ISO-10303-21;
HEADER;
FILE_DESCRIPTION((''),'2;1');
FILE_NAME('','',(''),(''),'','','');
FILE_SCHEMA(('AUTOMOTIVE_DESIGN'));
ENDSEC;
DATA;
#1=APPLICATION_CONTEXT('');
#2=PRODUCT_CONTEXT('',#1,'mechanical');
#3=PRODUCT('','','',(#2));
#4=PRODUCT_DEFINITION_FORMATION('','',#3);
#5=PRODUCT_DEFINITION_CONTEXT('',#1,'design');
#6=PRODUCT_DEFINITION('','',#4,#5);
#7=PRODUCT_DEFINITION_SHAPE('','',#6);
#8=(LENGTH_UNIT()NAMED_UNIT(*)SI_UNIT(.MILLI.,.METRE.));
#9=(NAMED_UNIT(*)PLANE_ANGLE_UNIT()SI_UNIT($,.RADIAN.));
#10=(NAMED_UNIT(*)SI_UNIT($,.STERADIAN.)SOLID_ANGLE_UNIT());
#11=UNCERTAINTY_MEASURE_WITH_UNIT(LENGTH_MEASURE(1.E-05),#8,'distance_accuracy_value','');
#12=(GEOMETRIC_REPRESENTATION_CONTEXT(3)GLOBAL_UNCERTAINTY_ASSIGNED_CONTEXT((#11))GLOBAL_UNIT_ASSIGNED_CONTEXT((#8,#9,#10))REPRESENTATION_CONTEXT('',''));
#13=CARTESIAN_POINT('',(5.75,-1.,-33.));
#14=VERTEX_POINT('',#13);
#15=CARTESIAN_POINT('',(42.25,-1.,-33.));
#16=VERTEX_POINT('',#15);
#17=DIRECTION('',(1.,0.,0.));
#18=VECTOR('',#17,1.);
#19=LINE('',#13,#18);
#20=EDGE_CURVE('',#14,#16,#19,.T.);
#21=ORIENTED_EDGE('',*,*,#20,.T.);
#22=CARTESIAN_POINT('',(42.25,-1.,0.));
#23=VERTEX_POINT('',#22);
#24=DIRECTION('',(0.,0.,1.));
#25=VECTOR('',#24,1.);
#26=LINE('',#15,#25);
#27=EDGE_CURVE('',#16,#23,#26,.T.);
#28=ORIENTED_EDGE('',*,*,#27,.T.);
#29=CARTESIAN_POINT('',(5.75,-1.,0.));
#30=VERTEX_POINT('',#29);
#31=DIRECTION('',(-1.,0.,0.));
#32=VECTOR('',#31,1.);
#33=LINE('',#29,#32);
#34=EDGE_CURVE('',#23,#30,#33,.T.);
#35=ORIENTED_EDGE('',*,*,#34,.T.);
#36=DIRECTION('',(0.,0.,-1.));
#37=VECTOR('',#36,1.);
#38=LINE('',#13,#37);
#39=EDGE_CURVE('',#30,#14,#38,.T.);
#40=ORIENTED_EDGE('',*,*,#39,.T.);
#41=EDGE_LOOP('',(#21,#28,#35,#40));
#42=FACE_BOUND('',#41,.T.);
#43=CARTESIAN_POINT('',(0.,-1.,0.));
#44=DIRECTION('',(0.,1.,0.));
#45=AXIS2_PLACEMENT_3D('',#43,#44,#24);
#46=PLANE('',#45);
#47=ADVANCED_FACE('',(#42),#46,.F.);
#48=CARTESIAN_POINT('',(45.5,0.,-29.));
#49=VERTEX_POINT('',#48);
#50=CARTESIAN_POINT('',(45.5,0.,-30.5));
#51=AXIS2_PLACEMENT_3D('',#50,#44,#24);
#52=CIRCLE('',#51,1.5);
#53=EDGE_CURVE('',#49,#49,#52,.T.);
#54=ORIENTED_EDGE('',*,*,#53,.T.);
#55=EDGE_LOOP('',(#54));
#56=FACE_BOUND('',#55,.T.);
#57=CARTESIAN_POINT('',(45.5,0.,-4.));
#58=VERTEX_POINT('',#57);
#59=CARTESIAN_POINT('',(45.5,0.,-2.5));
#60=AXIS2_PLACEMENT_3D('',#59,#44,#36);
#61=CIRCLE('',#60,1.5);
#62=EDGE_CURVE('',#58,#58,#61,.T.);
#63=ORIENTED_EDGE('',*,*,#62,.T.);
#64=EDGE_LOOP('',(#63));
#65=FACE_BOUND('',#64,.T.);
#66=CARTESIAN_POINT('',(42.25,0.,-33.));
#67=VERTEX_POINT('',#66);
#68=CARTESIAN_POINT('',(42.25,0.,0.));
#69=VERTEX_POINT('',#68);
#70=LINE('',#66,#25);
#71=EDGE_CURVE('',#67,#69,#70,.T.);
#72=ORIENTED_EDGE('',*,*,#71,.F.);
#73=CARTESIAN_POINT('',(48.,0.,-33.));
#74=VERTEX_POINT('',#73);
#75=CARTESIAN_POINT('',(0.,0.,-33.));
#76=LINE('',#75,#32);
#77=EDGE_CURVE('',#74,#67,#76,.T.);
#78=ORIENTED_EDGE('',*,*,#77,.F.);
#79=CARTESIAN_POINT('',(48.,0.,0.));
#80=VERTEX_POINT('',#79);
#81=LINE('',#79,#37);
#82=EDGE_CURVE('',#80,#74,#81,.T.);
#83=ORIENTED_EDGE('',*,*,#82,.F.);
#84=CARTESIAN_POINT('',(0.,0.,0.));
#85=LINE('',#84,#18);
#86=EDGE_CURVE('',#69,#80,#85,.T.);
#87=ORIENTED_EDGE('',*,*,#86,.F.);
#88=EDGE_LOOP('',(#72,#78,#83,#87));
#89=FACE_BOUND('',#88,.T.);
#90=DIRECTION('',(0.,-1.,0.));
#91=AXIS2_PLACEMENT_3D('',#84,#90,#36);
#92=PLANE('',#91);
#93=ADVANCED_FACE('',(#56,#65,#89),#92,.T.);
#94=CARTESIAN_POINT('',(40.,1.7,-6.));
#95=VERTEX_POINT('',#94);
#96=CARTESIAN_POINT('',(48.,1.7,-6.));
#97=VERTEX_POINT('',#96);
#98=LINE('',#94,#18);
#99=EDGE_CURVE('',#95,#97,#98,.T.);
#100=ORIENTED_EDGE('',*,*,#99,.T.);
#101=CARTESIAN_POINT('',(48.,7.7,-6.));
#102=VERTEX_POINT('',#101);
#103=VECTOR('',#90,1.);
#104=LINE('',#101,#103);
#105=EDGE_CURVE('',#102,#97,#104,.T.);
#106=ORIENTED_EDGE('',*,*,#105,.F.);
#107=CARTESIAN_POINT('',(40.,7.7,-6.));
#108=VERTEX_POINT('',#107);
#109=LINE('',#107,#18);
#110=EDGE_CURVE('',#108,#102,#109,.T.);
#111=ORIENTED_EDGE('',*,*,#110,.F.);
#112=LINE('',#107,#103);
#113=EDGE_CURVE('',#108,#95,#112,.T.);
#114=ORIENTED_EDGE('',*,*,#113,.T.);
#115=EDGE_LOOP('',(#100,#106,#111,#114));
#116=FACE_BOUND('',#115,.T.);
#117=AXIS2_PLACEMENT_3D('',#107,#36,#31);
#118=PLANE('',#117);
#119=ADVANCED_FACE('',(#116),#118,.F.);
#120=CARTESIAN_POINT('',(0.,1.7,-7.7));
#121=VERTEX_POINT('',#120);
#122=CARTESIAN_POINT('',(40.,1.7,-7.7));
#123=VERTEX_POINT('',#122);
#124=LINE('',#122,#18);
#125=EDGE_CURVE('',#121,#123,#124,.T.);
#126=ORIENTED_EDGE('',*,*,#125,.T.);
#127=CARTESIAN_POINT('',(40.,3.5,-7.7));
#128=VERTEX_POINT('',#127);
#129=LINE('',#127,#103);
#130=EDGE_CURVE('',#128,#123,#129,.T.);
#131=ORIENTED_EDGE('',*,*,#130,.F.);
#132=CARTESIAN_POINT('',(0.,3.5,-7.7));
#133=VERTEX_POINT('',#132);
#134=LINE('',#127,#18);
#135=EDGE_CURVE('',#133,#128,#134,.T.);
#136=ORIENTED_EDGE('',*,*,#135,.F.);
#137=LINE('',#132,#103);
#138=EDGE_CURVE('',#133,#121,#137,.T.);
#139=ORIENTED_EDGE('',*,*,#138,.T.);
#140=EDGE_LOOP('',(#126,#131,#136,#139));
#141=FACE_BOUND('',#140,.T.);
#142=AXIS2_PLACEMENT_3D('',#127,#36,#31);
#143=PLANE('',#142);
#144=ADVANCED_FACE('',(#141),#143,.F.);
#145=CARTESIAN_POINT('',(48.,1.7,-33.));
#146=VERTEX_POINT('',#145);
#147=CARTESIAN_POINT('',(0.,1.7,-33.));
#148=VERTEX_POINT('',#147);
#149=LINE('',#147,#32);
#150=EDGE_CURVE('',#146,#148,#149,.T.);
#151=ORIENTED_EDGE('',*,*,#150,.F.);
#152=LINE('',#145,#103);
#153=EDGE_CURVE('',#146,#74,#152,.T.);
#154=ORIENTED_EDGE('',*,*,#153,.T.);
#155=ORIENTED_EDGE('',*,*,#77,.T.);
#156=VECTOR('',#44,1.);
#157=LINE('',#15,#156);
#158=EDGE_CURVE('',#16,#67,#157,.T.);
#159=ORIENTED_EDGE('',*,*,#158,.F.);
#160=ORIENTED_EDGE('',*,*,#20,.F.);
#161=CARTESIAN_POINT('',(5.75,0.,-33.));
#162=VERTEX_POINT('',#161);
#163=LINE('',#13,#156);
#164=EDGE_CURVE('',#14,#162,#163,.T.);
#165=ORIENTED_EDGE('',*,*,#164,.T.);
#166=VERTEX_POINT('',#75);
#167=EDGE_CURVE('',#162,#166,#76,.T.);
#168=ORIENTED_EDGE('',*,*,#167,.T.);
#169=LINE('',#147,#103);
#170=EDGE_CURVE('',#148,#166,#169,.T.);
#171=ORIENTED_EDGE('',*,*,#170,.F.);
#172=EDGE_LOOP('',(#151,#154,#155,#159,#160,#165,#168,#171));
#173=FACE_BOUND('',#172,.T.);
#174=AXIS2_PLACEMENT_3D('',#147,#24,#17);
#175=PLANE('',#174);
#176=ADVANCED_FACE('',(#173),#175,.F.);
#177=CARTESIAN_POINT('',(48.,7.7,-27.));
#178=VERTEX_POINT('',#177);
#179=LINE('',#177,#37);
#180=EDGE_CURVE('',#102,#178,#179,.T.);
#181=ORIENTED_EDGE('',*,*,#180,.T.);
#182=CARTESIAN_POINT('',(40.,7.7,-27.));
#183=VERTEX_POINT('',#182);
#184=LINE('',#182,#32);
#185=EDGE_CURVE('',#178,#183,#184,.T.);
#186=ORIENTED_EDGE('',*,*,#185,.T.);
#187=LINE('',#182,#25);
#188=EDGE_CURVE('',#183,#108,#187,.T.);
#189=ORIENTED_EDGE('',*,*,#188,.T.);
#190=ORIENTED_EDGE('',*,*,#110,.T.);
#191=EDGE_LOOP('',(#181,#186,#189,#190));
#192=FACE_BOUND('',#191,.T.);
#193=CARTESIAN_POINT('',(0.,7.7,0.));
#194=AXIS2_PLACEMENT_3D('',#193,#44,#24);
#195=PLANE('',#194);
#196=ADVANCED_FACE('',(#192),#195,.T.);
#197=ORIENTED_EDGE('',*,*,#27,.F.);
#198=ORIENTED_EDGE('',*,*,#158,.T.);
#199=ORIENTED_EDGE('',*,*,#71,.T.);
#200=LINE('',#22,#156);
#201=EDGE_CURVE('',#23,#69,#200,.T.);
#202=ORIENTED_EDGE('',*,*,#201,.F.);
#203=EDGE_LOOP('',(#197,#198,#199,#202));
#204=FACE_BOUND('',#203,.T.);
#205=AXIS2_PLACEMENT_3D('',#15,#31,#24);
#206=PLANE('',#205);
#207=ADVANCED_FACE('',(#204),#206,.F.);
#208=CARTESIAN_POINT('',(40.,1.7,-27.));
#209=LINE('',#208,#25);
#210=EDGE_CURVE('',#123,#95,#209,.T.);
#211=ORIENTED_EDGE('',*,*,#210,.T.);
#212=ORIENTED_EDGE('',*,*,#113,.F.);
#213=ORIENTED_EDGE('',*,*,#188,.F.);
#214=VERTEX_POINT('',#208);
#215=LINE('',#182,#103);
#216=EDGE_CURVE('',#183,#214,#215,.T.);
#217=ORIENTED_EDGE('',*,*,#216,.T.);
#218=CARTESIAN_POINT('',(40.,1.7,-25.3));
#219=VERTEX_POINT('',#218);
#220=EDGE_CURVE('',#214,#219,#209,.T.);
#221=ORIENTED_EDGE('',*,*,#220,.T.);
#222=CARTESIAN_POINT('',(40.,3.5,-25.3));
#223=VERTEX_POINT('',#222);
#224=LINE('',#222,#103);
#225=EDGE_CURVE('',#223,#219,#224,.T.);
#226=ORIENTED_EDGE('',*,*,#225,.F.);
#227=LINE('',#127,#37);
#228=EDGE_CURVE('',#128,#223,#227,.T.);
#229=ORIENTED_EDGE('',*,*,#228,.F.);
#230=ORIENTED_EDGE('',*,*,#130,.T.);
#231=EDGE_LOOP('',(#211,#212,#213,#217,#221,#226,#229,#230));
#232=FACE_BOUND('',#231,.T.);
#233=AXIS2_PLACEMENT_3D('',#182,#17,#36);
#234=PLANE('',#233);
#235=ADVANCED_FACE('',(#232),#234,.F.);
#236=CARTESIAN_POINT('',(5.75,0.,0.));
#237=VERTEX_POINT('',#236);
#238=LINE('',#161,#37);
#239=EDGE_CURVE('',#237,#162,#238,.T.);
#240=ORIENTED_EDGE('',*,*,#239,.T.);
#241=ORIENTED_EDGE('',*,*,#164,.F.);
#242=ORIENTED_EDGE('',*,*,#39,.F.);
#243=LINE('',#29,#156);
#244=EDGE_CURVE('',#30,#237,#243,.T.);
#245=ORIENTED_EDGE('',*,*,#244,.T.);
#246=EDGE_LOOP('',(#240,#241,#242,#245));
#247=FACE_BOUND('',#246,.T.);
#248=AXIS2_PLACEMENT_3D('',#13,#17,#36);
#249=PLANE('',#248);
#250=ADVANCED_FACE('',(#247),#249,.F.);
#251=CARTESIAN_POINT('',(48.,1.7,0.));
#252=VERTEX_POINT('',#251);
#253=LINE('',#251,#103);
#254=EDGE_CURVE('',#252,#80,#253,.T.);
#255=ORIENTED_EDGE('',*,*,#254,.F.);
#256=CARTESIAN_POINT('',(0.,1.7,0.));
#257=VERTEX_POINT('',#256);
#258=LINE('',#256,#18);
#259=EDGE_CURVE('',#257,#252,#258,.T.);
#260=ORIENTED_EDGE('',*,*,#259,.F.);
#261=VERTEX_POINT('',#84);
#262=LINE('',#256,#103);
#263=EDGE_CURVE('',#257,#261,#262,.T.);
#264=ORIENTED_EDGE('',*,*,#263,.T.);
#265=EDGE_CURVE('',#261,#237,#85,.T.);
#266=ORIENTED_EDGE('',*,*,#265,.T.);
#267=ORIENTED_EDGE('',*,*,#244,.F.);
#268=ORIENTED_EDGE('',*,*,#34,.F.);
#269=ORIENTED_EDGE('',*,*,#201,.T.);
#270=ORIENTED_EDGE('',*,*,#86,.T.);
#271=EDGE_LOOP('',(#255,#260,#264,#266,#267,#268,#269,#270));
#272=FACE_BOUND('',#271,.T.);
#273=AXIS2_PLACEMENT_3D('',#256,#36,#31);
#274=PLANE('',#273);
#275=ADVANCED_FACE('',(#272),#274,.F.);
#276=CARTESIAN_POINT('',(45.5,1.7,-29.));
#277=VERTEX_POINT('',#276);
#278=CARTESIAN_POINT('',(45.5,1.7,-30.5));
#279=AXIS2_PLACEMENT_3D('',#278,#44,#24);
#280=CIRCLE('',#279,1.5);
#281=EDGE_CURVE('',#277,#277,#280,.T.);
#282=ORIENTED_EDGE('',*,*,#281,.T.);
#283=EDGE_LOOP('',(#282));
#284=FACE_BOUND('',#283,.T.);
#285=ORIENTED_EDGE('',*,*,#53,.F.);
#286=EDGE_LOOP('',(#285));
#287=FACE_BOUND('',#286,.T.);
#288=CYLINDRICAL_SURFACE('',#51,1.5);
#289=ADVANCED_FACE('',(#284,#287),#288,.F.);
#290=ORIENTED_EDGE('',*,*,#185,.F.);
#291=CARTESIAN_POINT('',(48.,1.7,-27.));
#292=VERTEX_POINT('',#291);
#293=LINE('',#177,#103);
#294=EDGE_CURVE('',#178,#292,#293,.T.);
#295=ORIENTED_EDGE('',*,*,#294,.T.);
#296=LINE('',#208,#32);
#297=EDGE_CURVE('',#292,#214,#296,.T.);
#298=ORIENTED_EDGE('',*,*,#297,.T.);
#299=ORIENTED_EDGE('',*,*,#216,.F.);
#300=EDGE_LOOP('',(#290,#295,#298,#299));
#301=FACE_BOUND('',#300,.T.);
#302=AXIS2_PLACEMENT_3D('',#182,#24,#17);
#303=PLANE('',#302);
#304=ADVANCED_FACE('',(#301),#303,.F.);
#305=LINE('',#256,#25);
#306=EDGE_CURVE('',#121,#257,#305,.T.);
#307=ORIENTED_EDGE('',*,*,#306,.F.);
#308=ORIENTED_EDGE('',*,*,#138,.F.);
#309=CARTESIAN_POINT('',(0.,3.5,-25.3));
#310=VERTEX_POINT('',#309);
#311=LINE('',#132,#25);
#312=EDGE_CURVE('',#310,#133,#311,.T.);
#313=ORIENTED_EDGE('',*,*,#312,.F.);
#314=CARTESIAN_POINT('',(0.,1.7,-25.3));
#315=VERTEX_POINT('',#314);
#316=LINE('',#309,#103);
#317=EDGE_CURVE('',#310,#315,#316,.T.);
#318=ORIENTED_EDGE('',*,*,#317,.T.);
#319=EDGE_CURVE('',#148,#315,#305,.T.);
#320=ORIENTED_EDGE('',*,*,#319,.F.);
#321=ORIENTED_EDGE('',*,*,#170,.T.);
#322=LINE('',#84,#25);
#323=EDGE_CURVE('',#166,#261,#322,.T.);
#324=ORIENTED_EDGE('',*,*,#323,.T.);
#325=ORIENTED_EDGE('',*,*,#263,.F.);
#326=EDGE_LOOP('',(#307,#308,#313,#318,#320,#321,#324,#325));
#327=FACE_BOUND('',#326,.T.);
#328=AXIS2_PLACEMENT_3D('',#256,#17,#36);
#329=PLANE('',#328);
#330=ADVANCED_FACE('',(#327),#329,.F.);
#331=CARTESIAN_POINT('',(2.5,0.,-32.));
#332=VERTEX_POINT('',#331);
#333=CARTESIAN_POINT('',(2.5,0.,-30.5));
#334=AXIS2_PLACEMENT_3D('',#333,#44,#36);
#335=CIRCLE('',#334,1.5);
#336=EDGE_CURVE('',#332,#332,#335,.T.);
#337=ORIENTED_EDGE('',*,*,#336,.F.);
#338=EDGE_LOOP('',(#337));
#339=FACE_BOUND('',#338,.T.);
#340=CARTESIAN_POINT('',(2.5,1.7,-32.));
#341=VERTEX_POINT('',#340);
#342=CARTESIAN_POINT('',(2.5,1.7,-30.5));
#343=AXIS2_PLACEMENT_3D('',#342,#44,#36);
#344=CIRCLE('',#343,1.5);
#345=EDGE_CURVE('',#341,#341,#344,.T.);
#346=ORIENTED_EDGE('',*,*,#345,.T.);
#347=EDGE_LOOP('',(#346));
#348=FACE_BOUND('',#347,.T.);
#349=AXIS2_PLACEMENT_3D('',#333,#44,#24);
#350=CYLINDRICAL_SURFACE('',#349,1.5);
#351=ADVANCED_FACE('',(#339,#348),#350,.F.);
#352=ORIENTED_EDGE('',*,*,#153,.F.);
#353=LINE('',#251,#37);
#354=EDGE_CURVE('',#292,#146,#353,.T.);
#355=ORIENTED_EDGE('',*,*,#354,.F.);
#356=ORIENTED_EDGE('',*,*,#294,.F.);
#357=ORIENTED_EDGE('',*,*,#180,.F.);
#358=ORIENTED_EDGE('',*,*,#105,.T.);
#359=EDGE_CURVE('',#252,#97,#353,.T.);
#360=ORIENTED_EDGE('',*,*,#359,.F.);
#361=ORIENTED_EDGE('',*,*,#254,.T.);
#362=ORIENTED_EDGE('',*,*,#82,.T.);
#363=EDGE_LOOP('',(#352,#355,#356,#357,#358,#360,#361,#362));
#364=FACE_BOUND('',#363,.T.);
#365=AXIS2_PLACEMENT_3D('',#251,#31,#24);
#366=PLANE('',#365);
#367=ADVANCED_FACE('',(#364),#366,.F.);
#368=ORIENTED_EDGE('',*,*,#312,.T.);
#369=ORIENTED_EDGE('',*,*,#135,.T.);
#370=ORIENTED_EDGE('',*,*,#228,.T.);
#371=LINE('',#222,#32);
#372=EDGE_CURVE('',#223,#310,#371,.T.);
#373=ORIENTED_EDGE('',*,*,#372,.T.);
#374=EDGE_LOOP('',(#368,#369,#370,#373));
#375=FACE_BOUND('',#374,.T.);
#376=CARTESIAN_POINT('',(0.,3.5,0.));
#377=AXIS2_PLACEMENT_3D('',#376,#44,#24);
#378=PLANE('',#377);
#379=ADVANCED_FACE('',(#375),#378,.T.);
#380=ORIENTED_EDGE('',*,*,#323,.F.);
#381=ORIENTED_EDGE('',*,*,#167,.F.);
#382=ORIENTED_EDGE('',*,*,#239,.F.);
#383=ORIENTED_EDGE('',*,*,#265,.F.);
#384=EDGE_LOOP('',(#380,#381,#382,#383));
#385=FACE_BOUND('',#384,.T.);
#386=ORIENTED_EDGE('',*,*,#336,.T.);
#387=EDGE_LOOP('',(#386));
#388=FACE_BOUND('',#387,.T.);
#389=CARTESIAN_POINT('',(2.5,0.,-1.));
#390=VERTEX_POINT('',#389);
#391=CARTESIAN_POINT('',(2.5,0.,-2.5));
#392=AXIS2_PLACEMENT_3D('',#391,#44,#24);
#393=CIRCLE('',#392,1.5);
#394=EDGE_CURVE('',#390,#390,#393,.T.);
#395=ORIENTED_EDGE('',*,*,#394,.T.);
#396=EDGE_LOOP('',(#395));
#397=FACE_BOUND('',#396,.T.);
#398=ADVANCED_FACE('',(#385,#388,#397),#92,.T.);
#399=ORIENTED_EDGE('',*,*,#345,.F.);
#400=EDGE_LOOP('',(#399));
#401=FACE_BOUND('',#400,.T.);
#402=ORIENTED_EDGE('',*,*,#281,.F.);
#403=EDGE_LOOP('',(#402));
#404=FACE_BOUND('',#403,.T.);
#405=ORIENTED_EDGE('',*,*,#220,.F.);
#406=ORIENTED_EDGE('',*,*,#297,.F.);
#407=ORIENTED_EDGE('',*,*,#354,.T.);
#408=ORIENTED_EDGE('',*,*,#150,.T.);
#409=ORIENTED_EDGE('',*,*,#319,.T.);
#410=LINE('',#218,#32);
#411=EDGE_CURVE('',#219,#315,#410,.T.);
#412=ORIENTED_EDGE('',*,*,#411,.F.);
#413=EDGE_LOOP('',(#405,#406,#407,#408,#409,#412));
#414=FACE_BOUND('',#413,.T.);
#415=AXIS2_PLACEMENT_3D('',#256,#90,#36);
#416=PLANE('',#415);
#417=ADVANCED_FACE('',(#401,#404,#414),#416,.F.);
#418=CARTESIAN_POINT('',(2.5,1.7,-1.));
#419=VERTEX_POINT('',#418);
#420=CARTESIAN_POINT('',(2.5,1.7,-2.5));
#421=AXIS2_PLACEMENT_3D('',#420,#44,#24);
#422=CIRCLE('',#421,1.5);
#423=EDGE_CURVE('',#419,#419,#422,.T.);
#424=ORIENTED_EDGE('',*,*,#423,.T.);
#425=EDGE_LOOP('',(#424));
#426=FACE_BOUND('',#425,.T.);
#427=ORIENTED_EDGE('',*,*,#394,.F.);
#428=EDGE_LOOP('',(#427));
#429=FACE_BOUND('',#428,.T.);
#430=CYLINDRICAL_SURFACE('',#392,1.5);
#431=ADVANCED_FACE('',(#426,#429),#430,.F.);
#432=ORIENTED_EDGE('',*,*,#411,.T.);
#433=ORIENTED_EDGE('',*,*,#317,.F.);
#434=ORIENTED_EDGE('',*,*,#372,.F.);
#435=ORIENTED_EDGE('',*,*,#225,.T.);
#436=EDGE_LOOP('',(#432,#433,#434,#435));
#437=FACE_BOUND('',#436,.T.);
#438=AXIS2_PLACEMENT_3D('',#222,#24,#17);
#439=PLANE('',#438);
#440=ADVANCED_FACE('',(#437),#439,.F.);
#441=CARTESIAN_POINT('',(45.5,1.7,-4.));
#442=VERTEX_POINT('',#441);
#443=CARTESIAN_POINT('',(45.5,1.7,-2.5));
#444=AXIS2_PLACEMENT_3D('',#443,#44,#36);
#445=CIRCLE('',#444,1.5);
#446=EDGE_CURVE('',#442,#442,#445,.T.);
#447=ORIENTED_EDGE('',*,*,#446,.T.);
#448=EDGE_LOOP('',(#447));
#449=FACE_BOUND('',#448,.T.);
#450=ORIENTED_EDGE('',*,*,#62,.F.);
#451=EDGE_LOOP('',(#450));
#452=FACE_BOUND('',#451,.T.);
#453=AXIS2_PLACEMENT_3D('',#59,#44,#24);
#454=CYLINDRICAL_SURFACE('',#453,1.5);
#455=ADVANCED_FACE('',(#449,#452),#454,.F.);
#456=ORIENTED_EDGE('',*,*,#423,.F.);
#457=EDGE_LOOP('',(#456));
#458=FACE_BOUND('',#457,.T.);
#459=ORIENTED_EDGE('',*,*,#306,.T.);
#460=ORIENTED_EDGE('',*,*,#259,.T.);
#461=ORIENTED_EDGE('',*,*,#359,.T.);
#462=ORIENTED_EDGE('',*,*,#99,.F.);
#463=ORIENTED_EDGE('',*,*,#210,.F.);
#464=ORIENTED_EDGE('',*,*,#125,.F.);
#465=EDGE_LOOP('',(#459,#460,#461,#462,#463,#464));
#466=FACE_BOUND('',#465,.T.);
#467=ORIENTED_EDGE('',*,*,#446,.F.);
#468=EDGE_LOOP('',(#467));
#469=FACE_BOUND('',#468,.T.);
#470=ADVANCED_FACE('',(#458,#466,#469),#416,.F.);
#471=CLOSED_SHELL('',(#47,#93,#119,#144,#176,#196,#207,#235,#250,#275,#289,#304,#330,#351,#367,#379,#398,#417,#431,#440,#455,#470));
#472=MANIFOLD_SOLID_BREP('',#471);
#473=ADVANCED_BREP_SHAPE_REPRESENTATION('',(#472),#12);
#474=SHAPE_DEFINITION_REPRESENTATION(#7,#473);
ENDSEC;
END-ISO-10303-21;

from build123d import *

# Parameters (mm, degrees)
SKETCH1_W           = 48
SKETCH1_H           = 33
BOSS_EXTRUDE1_DEPTH = 1.7
SKETCH2_W           = 8
SKETCH2_H           = 21
BOSS_EXTRUDE2_DEPTH = 6
SKETCH3_R           = 1.5
CUT_EXTRUDE1_DEPTH  = 59.557663888
SKETCH4_W           = 36.5
SKETCH4_H           = 33
BOSS_EXTRUDE3_DEPTH = 1
SKETCH6_W           = 40
SKETCH6_H           = 17.6
BOSS_EXTRUDE4_DEPTH = 1.8


with BuildPart() as part:
    # Sketch1 → Boss-Extrude1 (new body)
    with BuildSketch(Plane(origin=(0, 0, 0), x_dir=(1, 0, 0), z_dir=(0, 1, 0))):
        with Locations((24, 16.5)):
            Rectangle(SKETCH1_W, SKETCH1_H)
    extrude(amount=BOSS_EXTRUDE1_DEPTH)

    # Sketch2 → Boss-Extrude2 (add)
    with BuildSketch(Plane(origin=(0, 1.7, 0), x_dir=(1, 0, 0), z_dir=(0, 1, 0))):
        with Locations((44, 16.5)):
            Rectangle(SKETCH2_W, SKETCH2_H)
    extrude(amount=BOSS_EXTRUDE2_DEPTH)

    # Sketch3 → Cut-Extrude1 (cut, through all)
    with BuildSketch(Plane(origin=(0, 1.7, 0), x_dir=(1, 0, 0), z_dir=(0, 1, 0))):
        with Locations(Location((2.5, 2.5, 0), (0, 0, 270))):
            Circle(SKETCH3_R)
        with Locations(Location((45.5, 2.5, 0), (0, 0, 90))):
            Circle(SKETCH3_R)
        with Locations(Location((45.5, 30.5, 0), (0, 0, 270))):
            Circle(SKETCH3_R)
        with Locations(Location((2.5, 30.5, 0), (0, 0, 90))):
            Circle(SKETCH3_R)
    extrude(amount=-CUT_EXTRUDE1_DEPTH, mode=Mode.SUBTRACT)

    # Sketch4 → Boss-Extrude3 (add)
    with BuildSketch(Plane(origin=(0, 0, 0), x_dir=(-1, 0, 0), z_dir=(0, -1, 0))):
        with Locations((-24, 16.5)):
            Rectangle(SKETCH4_W, SKETCH4_H)
    extrude(amount=BOSS_EXTRUDE3_DEPTH)

    # Sketch6 → Boss-Extrude4 (add)
    with BuildSketch(Plane(origin=(0, 1.7, 0), x_dir=(1, 0, 0), z_dir=(0, 1, 0))):
        with Locations((20, 16.5)):
            Rectangle(SKETCH6_W, SKETCH6_H)
    extrude(amount=BOSS_EXTRUDE4_DEPTH)


solid = part.part
